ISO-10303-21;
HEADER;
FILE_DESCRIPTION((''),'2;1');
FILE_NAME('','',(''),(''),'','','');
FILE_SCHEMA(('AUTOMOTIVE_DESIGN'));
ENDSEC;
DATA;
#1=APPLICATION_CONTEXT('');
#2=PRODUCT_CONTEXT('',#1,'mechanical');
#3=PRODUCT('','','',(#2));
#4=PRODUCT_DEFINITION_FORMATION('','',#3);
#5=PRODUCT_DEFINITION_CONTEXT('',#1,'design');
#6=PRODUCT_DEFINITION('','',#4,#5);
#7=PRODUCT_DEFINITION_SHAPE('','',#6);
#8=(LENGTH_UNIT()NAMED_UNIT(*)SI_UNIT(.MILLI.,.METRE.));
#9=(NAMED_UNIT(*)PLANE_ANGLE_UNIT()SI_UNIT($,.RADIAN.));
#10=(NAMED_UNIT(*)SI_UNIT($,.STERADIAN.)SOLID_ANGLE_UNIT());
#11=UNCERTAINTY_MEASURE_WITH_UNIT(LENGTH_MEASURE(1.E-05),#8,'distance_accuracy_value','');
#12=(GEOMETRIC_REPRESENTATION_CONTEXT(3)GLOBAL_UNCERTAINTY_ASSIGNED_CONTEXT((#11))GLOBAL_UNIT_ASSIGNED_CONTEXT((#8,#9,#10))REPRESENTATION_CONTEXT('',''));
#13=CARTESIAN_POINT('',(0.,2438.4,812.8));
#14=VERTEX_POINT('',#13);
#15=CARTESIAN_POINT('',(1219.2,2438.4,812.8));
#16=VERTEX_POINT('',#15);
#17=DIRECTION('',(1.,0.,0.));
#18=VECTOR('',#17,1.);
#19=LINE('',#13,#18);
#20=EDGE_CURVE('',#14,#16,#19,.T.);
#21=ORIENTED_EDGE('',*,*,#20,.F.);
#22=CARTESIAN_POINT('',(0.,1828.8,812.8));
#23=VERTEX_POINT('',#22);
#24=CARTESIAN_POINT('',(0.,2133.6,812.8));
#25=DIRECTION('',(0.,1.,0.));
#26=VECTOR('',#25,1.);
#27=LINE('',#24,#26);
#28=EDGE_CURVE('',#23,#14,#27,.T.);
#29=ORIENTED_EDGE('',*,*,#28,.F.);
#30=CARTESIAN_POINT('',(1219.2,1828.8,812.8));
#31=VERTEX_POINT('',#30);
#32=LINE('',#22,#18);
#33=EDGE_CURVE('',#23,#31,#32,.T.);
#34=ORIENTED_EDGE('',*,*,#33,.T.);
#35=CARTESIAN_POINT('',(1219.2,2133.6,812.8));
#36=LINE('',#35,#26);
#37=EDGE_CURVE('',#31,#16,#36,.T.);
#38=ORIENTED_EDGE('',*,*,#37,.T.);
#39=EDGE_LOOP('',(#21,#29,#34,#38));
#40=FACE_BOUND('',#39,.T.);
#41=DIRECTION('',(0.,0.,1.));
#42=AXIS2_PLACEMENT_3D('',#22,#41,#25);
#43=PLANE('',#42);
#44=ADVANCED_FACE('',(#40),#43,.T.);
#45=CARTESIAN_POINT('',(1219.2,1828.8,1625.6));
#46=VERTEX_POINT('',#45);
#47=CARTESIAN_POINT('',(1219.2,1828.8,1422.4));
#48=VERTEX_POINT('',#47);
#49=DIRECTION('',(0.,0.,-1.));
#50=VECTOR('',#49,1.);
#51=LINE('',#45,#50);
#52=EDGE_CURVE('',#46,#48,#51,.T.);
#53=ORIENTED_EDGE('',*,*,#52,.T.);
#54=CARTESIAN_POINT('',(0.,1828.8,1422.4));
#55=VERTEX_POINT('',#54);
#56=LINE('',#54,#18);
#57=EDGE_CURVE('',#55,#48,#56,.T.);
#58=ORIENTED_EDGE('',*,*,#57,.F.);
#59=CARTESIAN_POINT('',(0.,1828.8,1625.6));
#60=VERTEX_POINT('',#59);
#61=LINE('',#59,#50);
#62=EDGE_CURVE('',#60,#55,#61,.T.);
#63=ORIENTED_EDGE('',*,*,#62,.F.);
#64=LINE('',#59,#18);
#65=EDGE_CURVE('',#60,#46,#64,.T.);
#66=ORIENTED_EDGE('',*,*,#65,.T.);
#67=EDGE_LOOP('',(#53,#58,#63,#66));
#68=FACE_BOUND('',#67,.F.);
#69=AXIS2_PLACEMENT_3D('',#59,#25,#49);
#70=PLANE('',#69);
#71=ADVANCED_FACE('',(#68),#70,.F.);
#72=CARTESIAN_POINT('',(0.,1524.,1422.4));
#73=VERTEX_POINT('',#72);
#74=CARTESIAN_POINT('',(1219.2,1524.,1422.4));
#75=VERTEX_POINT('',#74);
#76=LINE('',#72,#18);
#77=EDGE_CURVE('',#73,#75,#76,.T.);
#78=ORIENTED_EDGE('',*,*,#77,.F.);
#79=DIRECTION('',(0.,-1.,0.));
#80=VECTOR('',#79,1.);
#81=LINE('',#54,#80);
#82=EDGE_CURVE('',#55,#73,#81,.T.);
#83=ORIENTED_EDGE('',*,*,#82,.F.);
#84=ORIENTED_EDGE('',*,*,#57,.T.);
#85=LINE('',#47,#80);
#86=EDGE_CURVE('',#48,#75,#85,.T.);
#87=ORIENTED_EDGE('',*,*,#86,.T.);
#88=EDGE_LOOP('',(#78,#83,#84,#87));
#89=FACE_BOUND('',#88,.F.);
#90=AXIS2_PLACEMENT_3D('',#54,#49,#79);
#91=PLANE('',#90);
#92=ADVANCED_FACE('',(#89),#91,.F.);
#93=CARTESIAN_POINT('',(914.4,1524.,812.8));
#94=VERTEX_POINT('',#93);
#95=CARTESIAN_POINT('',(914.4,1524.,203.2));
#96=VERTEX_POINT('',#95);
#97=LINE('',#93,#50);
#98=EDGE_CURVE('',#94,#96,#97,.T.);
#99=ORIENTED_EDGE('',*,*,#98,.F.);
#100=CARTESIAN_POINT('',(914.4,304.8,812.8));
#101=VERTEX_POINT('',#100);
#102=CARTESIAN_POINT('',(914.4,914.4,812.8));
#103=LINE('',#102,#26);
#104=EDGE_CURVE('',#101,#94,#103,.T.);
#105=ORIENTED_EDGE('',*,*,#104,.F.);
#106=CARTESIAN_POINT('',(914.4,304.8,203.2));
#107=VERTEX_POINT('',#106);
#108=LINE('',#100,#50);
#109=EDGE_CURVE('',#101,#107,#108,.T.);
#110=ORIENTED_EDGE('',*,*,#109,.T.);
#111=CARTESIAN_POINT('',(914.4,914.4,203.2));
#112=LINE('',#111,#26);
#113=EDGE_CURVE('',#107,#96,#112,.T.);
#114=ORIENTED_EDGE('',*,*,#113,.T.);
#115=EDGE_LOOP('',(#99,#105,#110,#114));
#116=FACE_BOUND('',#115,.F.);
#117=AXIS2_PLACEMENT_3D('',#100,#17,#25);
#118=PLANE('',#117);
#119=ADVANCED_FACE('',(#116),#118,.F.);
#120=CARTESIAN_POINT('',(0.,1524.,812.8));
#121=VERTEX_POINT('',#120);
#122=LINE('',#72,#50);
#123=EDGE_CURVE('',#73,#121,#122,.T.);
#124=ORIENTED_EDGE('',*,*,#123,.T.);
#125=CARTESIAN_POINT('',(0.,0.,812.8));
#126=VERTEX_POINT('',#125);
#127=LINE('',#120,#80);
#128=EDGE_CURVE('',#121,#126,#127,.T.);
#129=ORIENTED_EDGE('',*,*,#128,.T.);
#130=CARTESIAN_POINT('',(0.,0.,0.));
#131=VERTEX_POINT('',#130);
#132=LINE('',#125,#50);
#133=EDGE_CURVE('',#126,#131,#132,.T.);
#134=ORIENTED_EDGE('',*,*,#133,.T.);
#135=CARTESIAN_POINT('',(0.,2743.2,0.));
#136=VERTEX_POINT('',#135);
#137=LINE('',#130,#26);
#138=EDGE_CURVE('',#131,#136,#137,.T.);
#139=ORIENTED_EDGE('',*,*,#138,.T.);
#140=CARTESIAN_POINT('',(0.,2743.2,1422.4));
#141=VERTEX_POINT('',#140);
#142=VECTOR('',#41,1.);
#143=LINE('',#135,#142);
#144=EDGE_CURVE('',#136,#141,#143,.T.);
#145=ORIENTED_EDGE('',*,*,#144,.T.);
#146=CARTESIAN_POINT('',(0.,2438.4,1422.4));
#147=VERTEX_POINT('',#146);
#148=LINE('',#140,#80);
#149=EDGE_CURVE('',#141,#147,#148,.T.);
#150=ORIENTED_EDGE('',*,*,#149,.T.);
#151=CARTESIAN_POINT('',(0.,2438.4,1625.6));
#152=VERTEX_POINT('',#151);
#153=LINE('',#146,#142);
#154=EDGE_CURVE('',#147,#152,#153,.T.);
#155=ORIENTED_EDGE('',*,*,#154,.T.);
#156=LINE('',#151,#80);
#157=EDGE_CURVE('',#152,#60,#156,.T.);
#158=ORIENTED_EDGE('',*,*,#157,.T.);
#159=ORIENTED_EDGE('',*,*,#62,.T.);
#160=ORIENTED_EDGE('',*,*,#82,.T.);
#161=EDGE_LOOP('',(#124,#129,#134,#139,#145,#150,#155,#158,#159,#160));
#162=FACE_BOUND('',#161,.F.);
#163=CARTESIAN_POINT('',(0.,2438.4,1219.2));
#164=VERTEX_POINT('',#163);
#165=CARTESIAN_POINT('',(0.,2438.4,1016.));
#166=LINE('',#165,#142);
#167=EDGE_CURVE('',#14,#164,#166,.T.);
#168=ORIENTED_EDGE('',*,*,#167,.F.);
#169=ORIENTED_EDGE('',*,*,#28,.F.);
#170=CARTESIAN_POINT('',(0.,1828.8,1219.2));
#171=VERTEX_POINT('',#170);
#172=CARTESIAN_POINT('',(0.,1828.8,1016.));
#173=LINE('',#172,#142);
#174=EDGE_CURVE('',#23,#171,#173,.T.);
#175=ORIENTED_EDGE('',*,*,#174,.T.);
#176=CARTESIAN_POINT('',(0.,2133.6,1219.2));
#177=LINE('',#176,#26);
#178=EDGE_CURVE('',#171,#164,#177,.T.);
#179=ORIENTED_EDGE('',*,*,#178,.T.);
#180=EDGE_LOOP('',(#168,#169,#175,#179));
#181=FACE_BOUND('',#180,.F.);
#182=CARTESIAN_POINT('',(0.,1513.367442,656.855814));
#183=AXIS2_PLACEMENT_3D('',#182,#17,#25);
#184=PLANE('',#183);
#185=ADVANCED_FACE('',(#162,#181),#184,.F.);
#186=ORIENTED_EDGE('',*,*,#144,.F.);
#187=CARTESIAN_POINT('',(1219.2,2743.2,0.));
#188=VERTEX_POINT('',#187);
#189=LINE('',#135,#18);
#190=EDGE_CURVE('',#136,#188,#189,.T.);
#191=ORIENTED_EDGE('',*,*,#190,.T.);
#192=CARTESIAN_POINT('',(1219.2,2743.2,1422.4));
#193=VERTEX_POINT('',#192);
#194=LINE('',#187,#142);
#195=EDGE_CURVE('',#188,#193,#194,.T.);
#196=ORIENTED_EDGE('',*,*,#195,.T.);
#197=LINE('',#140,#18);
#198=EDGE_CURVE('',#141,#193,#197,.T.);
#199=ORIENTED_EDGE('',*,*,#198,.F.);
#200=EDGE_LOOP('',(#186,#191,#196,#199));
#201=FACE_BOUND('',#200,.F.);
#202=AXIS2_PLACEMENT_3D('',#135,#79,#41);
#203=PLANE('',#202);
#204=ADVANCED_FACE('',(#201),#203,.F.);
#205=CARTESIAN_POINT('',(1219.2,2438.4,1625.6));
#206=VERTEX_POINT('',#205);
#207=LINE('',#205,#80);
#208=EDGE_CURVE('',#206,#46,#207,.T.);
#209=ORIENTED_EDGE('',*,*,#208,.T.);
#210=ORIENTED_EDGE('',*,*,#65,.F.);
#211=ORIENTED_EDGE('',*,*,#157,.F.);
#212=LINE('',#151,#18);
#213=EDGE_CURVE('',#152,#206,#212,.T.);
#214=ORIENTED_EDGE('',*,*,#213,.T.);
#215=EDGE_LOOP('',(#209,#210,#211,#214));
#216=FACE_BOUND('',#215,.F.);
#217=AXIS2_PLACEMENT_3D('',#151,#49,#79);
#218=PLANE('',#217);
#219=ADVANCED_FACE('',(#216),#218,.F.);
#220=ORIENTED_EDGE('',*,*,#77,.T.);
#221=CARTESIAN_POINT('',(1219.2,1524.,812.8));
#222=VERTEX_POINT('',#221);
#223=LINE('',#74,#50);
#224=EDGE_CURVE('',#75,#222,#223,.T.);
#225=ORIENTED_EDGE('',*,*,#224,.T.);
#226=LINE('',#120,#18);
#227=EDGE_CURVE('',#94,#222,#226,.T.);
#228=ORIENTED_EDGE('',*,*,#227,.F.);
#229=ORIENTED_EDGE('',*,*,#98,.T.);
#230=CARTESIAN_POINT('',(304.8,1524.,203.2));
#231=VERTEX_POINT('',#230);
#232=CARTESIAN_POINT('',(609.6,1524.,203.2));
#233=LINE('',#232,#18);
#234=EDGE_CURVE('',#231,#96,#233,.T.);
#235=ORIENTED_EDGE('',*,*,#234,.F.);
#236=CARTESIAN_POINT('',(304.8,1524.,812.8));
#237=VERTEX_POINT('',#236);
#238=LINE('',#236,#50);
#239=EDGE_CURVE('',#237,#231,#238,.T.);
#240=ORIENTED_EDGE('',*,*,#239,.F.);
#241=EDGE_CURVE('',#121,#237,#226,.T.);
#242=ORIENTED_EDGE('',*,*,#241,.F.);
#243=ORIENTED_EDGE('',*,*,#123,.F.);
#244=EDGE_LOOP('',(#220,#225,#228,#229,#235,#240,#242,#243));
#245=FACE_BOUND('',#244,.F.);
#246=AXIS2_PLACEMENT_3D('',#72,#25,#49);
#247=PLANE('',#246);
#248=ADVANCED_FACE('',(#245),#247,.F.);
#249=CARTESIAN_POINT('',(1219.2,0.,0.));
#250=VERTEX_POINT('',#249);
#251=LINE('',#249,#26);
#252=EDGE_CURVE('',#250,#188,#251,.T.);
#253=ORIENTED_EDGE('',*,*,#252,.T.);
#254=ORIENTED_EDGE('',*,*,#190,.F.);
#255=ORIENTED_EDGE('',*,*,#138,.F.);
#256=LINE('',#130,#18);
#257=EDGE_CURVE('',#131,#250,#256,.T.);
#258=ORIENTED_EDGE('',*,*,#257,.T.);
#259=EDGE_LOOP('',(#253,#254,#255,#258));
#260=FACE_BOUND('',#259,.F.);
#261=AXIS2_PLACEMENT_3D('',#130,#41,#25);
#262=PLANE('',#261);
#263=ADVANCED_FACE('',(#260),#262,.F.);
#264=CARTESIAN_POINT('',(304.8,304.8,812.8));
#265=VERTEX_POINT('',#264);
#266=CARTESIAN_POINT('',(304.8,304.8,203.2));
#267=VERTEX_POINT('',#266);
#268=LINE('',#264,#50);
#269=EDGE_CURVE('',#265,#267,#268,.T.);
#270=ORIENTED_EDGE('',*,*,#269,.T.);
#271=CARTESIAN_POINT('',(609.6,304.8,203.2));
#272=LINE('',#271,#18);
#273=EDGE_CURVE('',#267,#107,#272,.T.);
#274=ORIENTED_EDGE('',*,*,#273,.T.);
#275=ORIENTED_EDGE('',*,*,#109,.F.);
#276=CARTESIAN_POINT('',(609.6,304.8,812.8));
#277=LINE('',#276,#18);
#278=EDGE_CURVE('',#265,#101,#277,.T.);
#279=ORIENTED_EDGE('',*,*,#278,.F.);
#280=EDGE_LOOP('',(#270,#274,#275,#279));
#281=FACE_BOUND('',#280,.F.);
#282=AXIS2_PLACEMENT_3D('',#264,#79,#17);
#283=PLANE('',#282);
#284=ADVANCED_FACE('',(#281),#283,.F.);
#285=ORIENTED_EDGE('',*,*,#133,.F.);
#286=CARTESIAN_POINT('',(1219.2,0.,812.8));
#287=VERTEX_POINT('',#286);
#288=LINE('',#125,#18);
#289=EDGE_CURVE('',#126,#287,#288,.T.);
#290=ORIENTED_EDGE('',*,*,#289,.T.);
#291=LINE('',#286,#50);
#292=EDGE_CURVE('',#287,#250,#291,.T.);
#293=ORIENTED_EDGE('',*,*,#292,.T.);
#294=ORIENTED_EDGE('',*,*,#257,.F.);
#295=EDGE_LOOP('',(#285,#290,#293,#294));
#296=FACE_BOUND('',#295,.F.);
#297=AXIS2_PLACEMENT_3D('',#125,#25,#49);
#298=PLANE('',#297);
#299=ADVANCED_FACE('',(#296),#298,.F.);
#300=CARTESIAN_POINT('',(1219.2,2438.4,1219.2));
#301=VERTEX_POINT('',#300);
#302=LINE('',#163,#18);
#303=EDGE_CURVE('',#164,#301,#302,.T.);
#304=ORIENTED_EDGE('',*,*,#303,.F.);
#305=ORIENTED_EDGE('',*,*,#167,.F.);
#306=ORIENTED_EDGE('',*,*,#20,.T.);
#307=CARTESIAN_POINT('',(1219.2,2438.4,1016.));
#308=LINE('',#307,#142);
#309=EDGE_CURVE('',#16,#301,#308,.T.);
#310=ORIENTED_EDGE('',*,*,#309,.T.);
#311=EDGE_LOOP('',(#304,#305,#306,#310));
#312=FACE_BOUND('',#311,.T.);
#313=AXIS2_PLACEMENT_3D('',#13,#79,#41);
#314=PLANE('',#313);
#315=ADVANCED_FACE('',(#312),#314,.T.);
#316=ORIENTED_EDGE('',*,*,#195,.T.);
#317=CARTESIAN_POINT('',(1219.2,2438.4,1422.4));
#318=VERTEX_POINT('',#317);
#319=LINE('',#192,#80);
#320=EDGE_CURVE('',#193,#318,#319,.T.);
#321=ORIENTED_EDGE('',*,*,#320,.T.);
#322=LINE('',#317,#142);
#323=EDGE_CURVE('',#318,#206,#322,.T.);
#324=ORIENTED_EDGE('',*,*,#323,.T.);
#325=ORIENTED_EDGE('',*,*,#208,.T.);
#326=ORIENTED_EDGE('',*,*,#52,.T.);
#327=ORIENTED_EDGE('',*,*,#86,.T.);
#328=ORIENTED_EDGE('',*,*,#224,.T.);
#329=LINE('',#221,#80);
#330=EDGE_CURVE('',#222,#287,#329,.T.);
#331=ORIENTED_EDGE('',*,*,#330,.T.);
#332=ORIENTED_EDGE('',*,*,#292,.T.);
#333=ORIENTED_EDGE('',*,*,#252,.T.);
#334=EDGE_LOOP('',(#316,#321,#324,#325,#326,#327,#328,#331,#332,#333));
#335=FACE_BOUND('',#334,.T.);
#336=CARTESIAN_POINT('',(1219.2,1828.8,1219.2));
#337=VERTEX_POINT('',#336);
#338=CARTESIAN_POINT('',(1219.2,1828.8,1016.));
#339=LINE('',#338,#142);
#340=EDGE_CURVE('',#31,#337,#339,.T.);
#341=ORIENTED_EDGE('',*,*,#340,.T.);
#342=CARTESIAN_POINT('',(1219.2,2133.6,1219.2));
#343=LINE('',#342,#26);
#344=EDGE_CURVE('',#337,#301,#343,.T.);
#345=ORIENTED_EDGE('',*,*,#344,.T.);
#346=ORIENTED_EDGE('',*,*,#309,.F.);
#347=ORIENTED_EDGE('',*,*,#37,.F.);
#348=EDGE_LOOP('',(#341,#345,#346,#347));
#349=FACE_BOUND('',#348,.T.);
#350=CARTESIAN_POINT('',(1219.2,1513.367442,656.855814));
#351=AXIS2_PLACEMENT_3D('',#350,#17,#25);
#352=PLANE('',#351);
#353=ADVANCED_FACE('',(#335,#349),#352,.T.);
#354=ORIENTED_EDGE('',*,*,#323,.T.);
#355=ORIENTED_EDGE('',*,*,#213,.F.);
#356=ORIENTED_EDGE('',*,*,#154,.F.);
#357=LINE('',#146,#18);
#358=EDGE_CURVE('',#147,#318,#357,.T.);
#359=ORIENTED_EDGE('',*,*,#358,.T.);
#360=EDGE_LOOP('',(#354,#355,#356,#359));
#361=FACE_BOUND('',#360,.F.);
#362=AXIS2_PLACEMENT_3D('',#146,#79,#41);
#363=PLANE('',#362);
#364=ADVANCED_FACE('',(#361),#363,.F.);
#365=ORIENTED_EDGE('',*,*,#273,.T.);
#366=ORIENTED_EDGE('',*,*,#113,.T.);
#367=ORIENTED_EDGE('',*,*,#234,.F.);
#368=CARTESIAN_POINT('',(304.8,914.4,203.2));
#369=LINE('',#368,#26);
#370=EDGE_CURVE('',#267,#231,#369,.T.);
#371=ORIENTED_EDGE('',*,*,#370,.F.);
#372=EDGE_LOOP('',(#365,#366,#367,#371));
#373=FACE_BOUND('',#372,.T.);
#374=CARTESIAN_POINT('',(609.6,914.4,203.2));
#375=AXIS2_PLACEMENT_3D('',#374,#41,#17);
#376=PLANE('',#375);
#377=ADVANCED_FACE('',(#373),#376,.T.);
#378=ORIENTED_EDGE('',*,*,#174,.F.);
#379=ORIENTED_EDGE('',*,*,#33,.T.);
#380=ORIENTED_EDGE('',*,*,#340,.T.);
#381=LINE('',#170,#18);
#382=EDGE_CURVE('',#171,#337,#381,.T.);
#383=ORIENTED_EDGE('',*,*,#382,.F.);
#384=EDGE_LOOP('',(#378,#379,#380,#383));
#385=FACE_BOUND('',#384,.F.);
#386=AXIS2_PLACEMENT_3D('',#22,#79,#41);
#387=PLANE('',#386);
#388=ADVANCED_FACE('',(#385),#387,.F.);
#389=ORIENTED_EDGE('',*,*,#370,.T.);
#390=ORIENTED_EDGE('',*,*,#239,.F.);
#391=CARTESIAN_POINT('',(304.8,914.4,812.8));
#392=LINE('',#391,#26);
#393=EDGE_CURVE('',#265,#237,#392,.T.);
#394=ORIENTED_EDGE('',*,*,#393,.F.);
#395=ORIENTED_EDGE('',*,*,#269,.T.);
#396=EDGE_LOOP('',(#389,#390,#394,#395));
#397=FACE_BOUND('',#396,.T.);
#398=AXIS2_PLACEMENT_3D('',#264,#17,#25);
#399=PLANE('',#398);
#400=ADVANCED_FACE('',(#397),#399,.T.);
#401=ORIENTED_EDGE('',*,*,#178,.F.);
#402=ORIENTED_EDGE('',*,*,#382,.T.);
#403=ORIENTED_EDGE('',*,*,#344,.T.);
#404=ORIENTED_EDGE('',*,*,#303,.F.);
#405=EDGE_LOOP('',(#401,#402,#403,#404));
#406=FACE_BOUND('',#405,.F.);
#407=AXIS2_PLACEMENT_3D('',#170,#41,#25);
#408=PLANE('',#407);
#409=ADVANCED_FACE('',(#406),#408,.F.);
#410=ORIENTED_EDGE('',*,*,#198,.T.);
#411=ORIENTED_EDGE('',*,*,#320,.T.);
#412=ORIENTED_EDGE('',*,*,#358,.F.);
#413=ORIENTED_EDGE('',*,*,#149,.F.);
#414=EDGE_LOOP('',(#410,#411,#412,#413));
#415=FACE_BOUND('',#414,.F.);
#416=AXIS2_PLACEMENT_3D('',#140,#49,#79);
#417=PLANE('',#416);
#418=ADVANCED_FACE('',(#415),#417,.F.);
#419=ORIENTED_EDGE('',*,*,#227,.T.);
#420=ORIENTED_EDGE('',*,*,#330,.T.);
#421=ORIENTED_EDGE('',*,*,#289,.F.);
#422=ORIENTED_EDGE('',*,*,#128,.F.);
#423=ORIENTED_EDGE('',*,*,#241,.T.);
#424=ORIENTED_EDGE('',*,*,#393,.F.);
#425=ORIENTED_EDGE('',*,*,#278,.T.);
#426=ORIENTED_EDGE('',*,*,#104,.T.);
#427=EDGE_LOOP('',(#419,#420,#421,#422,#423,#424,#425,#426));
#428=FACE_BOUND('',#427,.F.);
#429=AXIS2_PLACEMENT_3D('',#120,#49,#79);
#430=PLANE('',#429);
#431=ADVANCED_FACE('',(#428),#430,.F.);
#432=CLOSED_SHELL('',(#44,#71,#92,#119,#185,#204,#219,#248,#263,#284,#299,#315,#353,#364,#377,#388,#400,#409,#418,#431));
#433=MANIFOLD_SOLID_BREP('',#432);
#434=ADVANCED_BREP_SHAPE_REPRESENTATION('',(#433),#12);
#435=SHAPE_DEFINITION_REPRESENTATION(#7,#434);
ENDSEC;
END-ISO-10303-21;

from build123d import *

# Parameters (mm, degrees)
F0_W     = 609.6
F0_H     = 406.4
F1_DEPTH = 1219.2
F2_W     = 609.6
F2_H     = 1219.2
F3_DEPTH = 609.6
F4_W     = 609.6
F4_H     = 1219.2
F5_DEPTH = 609.6


with BuildPart() as f1:
    # F0 (on Right) → F1 (new body)
    with BuildSketch(Plane.YZ):
        Polygon((0, 812.8), (0, 0), (2743.2, 0), (2743.2, 1422.4), (2438.4, 1422.4), (2438.4, 1625.6), (1828.8, 1625.6), (1828.8, 1422.4), (1524, 1422.4), (1524, 812.8), align=None)
        with Locations((2133.6, 1016)):
            Rectangle(F0_W, F0_H, mode=Mode.SUBTRACT)
    extrude(amount=F1_DEPTH)

    # F2 (on Top) → F3 (join)
    with BuildSketch(Plane.XY):
        with Locations((609.6, 812.8)):
            Rectangle(F2_W, F2_H)
    extrude(amount=F3_DEPTH)

    # F4 (on face) → F5 (cut)
    with BuildSketch(Plane.XY.offset(812.8)):
        with Locations((609.6, 914.4)):
            Rectangle(F4_W, F4_H)
    extrude(amount=-F5_DEPTH, mode=Mode.SUBTRACT)


solid = f1.part
